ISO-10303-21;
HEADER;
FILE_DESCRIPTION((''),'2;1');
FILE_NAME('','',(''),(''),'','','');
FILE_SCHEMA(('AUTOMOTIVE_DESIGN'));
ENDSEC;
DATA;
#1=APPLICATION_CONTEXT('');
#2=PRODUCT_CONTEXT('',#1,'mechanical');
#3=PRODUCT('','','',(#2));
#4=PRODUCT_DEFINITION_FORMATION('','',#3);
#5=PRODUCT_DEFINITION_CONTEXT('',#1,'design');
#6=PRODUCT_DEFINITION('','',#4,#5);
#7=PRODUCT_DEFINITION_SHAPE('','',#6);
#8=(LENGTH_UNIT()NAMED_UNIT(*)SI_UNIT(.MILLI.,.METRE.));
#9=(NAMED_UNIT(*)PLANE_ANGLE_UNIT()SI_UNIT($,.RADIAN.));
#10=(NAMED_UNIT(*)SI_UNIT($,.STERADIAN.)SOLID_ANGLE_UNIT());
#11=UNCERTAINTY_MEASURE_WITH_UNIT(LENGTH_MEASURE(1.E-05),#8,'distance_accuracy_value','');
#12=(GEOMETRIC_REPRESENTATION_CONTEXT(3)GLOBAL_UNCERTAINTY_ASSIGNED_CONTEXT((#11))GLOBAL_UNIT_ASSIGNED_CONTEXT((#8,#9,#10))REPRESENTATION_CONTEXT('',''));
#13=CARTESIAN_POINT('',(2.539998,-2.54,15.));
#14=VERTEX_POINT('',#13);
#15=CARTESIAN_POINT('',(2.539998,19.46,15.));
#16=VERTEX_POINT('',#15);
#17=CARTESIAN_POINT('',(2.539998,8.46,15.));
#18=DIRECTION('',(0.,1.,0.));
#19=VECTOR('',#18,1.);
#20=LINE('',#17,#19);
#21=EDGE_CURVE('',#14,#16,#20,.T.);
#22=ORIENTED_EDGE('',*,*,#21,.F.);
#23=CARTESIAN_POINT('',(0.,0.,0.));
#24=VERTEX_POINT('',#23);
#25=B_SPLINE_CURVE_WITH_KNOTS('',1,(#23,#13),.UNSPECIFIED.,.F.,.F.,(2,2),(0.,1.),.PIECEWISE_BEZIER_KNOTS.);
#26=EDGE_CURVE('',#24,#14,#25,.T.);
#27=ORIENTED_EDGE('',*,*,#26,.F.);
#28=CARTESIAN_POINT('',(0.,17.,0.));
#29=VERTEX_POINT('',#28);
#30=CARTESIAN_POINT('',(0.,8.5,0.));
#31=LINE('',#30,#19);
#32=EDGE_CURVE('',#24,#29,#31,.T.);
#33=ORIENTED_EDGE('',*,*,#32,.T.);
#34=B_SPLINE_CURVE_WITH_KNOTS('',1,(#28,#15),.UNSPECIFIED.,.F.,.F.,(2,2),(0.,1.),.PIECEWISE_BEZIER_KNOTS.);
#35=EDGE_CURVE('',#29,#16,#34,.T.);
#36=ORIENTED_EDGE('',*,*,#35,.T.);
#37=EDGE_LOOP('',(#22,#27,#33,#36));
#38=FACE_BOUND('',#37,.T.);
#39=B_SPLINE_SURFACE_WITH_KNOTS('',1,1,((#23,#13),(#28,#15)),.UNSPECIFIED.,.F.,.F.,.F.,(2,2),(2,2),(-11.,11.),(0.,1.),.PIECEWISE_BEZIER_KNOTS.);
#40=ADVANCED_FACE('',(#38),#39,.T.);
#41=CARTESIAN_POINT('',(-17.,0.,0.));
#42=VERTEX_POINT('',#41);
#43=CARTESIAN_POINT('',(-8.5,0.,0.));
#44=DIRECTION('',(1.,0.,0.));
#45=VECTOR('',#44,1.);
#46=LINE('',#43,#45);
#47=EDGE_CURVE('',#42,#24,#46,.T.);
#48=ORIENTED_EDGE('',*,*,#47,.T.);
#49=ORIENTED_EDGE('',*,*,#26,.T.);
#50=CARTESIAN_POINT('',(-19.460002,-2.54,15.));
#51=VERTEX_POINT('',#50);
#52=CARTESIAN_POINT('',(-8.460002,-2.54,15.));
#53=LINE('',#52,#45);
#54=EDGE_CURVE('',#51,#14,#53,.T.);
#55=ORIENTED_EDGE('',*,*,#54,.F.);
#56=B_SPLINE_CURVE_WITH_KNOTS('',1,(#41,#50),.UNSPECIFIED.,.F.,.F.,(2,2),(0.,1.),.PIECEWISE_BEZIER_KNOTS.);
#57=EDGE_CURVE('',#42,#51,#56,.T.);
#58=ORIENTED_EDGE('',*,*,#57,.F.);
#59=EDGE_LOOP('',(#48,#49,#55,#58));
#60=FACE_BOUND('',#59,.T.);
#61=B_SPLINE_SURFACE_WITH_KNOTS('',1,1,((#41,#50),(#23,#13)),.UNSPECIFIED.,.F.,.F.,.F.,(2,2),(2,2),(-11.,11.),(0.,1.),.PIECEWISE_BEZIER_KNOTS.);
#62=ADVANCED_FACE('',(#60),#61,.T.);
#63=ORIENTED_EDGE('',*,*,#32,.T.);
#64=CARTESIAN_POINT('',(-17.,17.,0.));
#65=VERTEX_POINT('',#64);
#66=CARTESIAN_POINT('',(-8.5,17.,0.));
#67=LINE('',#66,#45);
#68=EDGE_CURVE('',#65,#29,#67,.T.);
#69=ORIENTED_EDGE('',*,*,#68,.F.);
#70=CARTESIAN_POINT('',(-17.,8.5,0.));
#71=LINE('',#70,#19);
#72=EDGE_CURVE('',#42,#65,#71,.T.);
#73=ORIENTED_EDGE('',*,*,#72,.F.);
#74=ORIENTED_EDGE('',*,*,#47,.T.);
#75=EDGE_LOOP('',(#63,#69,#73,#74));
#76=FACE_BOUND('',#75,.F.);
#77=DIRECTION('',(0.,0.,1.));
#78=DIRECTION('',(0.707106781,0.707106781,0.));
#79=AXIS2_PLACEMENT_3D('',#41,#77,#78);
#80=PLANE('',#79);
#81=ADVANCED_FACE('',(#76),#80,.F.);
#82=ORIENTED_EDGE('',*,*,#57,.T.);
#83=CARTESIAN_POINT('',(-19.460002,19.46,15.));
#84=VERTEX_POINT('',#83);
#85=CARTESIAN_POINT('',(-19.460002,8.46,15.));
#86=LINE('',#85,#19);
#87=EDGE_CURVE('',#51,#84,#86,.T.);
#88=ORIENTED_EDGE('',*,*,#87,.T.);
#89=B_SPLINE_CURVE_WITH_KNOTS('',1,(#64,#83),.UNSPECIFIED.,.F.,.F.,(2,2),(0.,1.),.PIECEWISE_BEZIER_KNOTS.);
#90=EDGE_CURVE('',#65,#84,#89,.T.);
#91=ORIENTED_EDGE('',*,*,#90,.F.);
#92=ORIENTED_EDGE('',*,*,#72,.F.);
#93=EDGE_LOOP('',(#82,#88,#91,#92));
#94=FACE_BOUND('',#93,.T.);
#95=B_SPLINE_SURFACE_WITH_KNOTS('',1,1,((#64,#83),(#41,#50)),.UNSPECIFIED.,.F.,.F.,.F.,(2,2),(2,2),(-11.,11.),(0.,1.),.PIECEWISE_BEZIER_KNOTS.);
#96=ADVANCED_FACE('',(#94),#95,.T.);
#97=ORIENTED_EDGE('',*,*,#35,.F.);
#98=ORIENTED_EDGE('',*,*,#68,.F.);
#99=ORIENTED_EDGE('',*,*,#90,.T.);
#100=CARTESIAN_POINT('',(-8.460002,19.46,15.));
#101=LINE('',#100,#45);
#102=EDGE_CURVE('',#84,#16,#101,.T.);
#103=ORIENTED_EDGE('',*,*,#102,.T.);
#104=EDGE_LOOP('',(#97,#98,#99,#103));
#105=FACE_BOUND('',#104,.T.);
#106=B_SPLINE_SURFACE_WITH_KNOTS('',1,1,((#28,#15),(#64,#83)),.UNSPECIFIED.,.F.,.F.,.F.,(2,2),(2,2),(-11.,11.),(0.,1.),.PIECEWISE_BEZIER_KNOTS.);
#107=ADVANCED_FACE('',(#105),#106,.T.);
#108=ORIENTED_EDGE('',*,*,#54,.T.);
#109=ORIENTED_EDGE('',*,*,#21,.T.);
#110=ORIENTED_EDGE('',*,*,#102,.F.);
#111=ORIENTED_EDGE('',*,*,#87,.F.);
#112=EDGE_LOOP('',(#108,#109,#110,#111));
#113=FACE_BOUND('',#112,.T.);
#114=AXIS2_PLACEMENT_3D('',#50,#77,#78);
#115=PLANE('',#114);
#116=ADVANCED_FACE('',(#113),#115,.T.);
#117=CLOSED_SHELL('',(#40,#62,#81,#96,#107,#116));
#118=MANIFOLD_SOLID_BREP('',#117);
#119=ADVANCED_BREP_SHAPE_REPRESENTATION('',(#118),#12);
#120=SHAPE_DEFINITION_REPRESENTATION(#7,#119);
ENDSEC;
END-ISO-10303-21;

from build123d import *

# Parameters (mm, degrees)
F0_W = 17
F0_H = 17
F2_W = 22
F2_H = 22


with BuildPart() as f3:
    # F0 (on Top) → F3 section 0
    with BuildSketch(Plane.XY):
        with Locations((-8.5, 8.5)):
            Rectangle(F0_W, F0_H)
    # F2 (on offset) → F3 section 1
    with BuildSketch(Plane.XY.offset(15)):
        with Locations((-8.460002, 8.46)):
            Rectangle(F2_W, F2_H)
    loft()


solid = f3.part
